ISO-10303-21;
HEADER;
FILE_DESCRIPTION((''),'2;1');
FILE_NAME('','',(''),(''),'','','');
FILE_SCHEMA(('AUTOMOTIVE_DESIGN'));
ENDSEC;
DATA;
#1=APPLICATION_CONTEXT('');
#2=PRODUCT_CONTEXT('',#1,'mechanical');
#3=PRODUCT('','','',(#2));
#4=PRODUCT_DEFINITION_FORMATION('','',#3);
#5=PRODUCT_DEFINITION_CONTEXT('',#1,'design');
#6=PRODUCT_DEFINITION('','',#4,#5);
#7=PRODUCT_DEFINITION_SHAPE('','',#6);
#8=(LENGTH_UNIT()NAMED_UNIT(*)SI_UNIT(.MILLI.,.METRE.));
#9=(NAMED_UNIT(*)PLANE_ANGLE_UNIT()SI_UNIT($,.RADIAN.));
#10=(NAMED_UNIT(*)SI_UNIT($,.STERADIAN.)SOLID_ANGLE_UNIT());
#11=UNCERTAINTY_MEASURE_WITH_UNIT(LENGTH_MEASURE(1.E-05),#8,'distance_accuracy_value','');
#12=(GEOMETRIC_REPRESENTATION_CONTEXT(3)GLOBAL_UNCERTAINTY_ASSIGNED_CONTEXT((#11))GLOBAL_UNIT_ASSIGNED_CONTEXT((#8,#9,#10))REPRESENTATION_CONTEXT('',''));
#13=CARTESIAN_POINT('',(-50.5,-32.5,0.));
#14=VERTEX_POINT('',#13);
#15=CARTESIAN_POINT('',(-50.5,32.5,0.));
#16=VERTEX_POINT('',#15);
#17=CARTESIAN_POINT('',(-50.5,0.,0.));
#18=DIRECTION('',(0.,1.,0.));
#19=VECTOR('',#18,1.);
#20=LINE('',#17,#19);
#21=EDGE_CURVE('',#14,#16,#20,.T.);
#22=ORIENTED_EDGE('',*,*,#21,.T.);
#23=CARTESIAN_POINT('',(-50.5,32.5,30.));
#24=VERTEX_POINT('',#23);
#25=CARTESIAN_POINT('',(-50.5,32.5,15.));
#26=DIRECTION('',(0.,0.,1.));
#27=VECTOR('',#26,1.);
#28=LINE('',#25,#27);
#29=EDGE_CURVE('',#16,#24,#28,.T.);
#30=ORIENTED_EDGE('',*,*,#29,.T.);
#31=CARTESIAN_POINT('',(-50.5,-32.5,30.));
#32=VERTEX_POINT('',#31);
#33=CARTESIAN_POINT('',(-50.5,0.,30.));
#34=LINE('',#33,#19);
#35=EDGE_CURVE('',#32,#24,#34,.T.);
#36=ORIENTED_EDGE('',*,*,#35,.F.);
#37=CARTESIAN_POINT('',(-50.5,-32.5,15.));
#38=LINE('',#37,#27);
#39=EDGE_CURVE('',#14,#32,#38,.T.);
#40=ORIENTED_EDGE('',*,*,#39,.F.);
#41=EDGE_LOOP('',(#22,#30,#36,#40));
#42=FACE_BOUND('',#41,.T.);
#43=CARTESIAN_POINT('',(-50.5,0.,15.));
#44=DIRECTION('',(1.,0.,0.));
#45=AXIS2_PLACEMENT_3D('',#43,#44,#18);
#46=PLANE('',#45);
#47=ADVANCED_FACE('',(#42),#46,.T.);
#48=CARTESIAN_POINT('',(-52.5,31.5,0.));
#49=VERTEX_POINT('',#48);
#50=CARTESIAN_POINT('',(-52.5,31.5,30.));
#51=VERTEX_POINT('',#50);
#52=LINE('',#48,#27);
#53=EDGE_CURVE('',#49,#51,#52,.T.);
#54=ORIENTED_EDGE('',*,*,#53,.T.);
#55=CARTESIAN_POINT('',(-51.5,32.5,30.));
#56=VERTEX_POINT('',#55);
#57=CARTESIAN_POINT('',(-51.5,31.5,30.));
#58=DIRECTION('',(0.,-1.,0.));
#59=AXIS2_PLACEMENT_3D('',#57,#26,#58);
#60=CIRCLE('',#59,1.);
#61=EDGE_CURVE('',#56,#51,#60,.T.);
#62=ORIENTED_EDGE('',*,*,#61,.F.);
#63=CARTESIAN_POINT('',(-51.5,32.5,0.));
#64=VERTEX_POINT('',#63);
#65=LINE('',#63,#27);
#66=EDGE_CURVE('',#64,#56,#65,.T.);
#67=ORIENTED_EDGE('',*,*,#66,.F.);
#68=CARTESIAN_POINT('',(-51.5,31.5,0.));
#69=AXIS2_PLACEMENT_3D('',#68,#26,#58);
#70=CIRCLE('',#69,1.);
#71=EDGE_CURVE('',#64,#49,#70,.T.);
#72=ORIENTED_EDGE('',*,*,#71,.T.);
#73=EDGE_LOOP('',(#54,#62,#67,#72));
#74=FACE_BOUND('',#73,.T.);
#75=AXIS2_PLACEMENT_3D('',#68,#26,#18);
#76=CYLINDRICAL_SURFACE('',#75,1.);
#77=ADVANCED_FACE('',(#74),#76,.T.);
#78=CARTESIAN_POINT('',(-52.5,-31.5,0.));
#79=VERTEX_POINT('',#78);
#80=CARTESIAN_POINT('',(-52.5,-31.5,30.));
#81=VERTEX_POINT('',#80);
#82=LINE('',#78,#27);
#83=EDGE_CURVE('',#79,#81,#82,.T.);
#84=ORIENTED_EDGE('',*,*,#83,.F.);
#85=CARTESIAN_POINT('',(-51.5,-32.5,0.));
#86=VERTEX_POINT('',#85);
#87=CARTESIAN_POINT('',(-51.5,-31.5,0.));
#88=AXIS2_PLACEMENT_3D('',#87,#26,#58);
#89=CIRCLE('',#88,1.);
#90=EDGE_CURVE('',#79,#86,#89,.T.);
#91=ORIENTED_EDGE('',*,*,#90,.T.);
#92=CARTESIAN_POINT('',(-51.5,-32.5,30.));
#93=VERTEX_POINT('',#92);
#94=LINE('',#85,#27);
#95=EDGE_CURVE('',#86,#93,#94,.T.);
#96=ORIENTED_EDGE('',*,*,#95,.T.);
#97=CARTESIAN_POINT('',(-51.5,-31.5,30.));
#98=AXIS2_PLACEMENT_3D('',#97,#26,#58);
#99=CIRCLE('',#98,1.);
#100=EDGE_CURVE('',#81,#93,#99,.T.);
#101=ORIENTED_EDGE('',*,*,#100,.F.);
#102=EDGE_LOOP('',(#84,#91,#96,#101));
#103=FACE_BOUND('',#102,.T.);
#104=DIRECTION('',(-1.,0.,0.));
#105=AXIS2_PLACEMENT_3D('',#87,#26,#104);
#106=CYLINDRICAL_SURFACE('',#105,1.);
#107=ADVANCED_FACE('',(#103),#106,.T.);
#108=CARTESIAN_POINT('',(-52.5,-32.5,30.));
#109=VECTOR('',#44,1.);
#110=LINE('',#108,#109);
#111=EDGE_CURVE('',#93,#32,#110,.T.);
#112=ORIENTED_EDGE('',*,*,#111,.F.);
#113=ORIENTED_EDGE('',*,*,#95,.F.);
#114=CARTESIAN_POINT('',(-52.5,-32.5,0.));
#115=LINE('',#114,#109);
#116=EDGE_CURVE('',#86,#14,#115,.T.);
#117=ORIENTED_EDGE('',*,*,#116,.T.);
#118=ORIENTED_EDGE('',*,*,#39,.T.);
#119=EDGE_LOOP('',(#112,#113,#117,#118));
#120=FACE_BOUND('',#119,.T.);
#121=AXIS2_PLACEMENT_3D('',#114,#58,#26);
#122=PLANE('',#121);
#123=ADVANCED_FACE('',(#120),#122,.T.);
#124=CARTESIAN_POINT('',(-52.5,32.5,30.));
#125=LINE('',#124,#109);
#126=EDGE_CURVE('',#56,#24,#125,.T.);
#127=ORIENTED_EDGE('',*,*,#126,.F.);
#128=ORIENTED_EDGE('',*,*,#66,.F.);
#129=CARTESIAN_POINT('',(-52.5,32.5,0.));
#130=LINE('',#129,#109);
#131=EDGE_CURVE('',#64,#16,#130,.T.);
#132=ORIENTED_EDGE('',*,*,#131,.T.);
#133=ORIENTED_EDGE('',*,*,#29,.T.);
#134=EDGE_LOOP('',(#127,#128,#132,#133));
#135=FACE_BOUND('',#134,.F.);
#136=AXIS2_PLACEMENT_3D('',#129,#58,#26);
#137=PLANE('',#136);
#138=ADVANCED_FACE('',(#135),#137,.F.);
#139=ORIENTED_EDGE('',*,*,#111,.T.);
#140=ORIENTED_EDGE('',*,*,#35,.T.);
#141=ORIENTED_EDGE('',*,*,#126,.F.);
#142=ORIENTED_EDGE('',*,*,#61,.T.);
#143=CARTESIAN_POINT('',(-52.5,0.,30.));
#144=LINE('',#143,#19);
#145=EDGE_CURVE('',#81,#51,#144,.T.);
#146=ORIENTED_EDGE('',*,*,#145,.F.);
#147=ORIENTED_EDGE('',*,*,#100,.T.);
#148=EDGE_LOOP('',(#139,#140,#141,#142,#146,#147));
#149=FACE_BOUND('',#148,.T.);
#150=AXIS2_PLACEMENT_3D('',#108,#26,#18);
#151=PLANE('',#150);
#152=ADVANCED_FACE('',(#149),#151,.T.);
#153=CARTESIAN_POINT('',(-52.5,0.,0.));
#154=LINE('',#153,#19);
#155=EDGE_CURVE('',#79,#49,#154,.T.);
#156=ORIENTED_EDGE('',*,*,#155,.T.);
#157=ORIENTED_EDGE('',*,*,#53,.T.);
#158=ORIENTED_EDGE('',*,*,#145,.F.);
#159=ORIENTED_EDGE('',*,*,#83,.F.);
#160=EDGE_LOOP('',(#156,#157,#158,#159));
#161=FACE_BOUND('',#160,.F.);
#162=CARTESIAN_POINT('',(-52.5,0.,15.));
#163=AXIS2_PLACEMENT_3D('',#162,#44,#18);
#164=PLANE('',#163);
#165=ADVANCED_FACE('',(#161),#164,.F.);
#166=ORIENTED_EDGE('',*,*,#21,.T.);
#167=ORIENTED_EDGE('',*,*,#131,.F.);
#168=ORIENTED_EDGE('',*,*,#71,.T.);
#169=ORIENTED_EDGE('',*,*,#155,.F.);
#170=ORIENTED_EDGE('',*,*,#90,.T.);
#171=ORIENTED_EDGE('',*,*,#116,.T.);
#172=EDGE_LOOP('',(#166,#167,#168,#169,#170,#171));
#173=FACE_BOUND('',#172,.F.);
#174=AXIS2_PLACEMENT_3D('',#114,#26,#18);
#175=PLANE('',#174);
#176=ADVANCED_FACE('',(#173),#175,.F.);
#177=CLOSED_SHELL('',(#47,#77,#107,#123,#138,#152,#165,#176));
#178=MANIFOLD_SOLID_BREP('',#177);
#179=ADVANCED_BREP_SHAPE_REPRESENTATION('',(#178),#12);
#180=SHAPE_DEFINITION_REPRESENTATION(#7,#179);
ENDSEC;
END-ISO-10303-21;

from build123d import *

# Parameters (mm, degrees)
SKETCH005_W  = 65
SKETCH005_H  = 30
PAD004_DEPTH = 2
FILLET016_R  = 1
FILLET021_R  = 1


with BuildPart() as part:
    # Sketch005 → Pad004 (new body)
    with BuildSketch(Plane.YZ):
        with Locations((0, 15)):
            Rectangle(SKETCH005_W, SKETCH005_H)
    extrude(amount=PAD004_DEPTH)

    # Fillet016
    fillet016_edges = [part.edges().sort_by_distance(p)[0] for p in [
        (0, 32.5, 15),
    ]]
    fillet(fillet016_edges, radius=FILLET016_R)

    # Fillet021
    fillet021_edges = [part.edges().sort_by_distance(p)[0] for p in [
        (0, -32.5, 15),
    ]]
    fillet(fillet021_edges, radius=FILLET021_R)


with BuildPart() as part_1:
    # Body004 placement: moved
    add(part.part.moved(Location((-52.5, 0, 0))))


solid = part_1.part
